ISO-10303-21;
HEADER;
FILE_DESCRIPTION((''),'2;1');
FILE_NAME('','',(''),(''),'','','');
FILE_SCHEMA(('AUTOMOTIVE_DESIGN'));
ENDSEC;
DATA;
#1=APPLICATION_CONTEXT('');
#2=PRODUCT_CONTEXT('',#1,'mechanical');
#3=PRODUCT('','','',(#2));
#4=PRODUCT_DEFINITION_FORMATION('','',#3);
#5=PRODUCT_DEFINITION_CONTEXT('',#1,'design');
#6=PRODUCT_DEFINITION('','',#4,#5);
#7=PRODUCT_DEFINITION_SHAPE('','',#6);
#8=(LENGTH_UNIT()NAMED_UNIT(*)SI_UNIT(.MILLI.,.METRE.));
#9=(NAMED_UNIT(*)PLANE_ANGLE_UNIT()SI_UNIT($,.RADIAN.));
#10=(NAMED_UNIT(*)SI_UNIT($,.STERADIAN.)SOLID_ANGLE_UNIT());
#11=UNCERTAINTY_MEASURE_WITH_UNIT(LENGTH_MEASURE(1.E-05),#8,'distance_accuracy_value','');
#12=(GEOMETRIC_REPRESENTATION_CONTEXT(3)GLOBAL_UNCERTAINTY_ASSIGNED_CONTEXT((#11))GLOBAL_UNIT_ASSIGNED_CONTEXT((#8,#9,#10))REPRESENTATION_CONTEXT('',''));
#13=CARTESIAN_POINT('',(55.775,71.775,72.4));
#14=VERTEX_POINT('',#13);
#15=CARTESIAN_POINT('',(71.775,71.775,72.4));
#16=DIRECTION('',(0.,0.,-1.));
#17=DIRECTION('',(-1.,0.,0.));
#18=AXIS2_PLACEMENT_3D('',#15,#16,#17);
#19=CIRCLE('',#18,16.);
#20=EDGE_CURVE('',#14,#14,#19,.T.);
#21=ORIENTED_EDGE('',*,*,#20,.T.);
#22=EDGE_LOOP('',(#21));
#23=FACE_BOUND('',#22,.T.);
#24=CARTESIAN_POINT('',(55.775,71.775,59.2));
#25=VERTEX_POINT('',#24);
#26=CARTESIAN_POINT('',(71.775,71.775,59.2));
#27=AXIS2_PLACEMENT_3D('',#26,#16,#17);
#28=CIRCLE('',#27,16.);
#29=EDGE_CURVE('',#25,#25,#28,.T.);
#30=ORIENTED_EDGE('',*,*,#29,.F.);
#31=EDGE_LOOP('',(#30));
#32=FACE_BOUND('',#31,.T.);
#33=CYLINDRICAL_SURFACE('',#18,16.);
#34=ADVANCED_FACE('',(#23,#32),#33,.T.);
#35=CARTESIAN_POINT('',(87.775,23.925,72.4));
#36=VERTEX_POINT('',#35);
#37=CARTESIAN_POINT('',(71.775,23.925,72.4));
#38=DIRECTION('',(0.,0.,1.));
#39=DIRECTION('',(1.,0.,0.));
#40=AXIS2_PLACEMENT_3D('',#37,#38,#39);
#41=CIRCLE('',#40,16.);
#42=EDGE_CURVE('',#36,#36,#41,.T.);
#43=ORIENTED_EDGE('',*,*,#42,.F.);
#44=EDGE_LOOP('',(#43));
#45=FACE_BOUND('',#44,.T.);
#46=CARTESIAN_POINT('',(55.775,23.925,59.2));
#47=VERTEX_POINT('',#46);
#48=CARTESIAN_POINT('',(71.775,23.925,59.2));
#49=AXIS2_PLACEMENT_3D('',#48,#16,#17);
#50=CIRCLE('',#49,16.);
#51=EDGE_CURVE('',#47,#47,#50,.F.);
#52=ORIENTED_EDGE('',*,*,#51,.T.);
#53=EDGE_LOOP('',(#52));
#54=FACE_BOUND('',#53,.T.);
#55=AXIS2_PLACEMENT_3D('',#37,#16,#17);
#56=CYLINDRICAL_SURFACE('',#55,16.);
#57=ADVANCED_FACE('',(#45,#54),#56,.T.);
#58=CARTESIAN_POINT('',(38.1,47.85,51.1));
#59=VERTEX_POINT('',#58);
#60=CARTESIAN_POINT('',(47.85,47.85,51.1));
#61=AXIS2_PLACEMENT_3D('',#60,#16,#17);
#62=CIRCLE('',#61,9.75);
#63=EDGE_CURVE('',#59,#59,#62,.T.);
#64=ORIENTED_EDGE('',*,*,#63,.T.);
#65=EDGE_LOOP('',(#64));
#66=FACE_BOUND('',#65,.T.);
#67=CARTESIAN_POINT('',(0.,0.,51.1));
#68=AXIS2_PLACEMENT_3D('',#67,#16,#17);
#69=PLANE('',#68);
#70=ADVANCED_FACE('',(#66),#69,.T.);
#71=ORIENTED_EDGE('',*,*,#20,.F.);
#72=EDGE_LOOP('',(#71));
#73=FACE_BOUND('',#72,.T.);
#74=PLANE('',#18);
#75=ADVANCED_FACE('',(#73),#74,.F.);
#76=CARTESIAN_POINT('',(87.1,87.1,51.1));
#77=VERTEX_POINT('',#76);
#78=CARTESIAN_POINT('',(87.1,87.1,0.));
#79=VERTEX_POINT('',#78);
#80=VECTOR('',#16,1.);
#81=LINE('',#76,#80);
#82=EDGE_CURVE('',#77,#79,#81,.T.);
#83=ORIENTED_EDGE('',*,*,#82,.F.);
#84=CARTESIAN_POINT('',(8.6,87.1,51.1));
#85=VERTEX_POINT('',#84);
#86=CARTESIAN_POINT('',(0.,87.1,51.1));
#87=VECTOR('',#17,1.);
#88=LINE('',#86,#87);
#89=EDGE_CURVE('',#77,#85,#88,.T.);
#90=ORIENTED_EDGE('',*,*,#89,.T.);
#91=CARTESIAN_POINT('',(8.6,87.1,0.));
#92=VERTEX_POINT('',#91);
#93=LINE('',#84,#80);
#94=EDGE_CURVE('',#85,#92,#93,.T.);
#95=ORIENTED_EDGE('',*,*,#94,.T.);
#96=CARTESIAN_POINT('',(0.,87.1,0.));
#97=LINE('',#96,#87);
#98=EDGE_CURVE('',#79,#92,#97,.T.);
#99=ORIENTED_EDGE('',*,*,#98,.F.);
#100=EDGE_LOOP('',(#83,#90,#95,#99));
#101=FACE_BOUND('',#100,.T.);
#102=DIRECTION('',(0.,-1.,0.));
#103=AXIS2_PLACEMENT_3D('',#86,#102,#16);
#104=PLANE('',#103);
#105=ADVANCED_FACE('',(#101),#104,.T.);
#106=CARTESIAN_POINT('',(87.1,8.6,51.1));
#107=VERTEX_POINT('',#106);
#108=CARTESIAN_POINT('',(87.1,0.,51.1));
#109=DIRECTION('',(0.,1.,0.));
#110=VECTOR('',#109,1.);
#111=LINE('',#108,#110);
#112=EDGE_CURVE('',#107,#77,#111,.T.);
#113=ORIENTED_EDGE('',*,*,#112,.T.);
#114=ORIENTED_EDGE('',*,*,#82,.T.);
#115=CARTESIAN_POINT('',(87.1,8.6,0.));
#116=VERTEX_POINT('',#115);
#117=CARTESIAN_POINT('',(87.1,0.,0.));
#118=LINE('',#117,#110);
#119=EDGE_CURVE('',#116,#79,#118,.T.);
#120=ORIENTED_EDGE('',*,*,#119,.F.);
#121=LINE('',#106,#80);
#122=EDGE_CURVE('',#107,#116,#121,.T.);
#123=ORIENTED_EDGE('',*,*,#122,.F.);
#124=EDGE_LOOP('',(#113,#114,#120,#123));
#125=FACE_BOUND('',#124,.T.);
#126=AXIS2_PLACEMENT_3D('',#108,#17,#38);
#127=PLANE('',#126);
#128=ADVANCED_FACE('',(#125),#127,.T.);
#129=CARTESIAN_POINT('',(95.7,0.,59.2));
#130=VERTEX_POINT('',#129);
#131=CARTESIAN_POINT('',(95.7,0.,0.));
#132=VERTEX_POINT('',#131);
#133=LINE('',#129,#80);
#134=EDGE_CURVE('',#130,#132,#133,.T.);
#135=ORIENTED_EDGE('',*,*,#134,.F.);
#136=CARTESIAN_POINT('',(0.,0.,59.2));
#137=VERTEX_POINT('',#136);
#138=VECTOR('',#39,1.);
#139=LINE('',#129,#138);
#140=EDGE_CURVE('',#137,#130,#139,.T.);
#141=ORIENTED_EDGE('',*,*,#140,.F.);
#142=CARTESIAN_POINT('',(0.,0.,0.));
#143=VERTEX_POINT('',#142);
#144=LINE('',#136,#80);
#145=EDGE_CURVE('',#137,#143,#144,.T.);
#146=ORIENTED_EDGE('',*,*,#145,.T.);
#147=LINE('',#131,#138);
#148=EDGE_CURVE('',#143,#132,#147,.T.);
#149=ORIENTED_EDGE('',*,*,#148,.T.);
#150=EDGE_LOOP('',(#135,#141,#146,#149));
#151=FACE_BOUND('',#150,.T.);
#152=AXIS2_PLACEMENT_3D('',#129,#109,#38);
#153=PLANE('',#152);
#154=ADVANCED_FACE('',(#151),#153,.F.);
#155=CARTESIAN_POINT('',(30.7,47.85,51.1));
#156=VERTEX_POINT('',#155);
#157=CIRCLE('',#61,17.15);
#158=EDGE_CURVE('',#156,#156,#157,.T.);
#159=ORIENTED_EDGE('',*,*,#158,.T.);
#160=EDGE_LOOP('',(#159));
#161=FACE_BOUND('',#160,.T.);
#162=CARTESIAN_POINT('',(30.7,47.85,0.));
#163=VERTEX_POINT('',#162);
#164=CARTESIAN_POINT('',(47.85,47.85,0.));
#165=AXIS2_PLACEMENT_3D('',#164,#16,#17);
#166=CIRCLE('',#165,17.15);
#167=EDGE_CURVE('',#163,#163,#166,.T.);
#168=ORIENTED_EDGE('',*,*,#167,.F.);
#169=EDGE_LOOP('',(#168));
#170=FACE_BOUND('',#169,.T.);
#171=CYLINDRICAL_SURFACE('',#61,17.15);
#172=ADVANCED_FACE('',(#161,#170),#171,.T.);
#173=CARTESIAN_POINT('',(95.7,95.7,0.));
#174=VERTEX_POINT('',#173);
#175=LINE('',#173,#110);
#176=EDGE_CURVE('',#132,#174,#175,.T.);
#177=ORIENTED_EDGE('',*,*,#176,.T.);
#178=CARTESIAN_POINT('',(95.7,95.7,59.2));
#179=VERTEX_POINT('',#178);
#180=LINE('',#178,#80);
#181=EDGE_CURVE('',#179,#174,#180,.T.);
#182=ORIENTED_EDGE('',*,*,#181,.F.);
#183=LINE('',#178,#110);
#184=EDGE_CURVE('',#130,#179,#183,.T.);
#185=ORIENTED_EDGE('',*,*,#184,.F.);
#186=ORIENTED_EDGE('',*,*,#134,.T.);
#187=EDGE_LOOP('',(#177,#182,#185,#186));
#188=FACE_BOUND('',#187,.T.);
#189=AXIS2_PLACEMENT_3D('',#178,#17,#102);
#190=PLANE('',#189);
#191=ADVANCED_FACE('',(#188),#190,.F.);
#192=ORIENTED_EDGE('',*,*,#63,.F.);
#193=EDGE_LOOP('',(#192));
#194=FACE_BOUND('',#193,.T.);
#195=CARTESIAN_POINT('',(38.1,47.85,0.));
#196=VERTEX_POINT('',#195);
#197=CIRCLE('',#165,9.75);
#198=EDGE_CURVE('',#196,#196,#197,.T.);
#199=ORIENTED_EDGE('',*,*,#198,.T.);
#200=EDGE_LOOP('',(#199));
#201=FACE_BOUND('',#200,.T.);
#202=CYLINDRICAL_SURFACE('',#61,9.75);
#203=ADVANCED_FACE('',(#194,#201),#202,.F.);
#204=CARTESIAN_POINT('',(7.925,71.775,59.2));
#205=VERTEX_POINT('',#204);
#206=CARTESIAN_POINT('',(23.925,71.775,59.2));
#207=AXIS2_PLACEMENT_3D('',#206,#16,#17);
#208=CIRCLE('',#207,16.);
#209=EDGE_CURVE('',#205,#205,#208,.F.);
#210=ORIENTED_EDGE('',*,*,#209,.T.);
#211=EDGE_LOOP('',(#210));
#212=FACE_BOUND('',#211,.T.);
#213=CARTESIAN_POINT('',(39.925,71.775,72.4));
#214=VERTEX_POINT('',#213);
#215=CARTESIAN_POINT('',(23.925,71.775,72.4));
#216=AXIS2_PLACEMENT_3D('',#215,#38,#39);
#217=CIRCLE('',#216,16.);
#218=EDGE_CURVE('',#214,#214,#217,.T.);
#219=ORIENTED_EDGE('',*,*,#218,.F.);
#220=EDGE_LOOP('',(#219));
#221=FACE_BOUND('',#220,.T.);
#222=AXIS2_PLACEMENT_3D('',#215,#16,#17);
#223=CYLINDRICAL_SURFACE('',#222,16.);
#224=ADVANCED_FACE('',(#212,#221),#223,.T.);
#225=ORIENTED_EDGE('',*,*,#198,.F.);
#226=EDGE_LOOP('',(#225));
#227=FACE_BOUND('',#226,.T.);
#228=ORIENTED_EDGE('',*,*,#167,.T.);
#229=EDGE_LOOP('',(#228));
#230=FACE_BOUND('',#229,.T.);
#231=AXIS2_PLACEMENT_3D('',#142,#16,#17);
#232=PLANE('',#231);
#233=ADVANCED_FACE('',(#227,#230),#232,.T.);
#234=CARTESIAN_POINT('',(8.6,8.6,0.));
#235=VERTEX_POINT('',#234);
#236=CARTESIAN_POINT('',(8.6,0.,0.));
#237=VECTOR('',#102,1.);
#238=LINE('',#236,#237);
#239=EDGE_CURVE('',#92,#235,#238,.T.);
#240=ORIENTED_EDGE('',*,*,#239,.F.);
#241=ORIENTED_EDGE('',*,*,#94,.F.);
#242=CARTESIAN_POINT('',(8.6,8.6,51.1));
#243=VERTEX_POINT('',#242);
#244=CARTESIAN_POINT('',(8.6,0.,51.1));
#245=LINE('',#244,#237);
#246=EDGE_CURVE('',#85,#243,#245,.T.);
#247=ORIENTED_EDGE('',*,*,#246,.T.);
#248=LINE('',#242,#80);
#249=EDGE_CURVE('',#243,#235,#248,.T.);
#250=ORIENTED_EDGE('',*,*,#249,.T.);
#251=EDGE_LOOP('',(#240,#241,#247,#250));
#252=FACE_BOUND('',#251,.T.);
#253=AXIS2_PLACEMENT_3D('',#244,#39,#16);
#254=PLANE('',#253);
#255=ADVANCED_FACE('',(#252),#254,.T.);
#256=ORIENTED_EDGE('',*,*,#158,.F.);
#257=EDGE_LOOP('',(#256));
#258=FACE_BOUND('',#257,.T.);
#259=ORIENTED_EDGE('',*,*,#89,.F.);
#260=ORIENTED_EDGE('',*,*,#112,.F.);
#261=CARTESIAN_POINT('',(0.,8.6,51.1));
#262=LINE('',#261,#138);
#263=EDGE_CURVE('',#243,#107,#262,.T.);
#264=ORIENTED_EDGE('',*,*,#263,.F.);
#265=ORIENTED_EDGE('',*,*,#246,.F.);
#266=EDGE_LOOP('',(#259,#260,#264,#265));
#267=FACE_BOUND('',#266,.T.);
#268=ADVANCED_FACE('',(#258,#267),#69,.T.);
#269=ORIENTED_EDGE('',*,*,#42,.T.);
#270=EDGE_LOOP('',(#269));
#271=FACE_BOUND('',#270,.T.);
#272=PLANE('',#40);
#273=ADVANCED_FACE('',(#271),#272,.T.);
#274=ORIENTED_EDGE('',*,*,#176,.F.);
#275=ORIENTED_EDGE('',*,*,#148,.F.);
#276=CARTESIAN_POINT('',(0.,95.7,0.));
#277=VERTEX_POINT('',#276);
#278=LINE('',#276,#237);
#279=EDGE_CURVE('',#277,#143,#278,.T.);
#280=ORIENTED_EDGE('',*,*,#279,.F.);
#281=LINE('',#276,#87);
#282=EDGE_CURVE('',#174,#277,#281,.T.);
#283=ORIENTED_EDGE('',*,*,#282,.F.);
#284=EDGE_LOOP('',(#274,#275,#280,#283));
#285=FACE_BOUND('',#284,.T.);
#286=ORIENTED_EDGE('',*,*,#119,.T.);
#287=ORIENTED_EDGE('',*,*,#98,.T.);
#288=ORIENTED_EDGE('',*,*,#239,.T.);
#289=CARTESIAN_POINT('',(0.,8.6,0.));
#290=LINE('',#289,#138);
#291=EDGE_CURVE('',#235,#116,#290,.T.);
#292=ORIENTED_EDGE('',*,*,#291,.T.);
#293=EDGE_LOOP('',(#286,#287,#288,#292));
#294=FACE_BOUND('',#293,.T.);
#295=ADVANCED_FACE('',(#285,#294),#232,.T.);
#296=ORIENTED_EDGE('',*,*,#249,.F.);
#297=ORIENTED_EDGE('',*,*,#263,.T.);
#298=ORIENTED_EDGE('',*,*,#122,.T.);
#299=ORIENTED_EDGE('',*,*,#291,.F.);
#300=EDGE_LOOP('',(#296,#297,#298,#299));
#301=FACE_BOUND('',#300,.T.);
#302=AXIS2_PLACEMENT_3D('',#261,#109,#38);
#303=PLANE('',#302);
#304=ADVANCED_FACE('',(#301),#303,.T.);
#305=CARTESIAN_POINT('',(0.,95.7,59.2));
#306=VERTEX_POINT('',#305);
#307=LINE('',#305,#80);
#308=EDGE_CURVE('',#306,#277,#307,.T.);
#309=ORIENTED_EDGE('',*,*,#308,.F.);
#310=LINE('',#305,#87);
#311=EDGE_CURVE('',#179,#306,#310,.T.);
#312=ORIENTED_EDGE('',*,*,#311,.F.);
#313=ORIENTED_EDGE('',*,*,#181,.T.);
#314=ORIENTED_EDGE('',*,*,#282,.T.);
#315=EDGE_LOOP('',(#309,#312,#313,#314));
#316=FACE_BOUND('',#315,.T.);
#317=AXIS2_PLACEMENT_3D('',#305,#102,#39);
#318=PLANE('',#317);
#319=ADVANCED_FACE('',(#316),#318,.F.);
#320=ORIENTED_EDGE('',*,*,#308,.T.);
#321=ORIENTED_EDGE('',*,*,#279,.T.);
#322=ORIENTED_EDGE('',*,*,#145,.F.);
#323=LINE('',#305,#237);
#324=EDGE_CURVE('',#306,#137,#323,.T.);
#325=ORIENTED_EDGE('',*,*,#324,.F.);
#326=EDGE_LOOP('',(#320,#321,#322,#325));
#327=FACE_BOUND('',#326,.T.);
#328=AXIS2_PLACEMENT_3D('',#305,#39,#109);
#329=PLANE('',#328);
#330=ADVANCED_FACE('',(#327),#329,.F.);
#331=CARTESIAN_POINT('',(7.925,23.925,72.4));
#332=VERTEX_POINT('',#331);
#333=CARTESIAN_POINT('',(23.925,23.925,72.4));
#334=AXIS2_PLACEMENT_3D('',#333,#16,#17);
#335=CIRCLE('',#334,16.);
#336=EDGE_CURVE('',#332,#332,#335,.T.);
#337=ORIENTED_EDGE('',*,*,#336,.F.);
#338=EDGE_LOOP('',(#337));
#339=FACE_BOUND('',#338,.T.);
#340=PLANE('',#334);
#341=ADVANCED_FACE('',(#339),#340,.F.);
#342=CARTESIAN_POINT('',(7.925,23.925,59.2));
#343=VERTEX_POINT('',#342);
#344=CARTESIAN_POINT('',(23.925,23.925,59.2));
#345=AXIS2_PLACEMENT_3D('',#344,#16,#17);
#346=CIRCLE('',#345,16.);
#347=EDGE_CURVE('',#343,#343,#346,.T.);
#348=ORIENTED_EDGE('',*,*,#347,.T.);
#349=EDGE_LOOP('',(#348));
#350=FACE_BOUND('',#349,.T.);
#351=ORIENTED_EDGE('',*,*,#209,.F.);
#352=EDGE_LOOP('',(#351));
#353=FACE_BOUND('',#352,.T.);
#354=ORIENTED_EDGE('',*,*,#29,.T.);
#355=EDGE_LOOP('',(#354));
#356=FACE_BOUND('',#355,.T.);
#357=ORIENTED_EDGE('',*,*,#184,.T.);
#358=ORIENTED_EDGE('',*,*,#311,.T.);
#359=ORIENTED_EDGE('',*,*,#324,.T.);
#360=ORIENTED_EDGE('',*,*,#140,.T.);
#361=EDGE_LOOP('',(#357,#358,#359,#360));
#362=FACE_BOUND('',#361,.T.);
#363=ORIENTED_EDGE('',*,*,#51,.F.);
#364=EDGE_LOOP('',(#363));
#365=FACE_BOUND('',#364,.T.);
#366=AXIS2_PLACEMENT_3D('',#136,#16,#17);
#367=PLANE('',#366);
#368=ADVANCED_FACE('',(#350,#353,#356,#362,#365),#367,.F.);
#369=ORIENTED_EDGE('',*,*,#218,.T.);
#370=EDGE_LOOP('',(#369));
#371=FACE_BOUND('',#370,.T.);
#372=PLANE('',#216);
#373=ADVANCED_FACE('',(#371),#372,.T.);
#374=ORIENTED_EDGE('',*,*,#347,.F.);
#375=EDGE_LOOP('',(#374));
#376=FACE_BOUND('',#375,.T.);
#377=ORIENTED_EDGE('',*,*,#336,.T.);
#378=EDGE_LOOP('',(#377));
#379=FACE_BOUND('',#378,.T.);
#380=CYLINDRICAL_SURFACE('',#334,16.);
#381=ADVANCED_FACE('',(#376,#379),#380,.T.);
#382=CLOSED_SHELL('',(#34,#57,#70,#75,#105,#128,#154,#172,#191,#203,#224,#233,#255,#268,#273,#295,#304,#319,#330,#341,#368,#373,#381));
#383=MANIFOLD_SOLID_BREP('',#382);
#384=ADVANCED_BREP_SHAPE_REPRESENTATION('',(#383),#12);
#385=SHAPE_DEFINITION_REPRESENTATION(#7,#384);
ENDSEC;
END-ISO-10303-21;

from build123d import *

# Parameters (mm, degrees)
ESQUISSE2_W             = 95.7
ESQUISSE2_H             = 95.7
BOSS_EXTRU_1_DEPTH      = 59.2
ESQUISSE3_R             = 16
BOSS_EXTRU_2_DEPTH      = 13.2
ESQUISSE4_W             = 78.5
ESQUISSE4_H             = 78.5
ESQUISSE4_R             = 17.15
ESQUISSE4_R_2           = 9.75
ENL_V_MAT_EXTRU_1_DEPTH = 51.1


with BuildPart() as part:
    # Esquisse2 → Boss.-Extru.1 (new body)
    with BuildSketch(Plane.XY):
        with Locations((47.85, 47.85)):
            Rectangle(ESQUISSE2_W, ESQUISSE2_H)
    extrude(amount=BOSS_EXTRU_1_DEPTH)

    # Esquisse3 → Boss.-Extru.2 (add)
    with BuildSketch(Plane.XY.offset(59.2)):
        with Locations(Location((23.925, 71.775, 0), (0, 0, 180))):
            Circle(ESQUISSE3_R)
        with Locations(Location((71.775, 71.775, 0), (0, 0, 180))):
            Circle(ESQUISSE3_R)
        with Locations(Location((71.775, 23.925, 0), (0, 0, 180))):
            Circle(ESQUISSE3_R)
        with Locations(Location((23.925, 23.925, 0), (0, 0, 180))):
            Circle(ESQUISSE3_R)
    extrude(amount=BOSS_EXTRU_2_DEPTH)

    # Esquisse4 → Enlèv. mat.-Extru.1 (cut)
    # profile 1 of 2: a face of its own
    with BuildSketch(Plane(origin=(0, 0, 0), x_dir=(-1, 0, 0), z_dir=(0, 0, -1))):
        with Locations((-47.85, 47.85)):
            Rectangle(ESQUISSE4_W, ESQUISSE4_H)
        with Locations((-47.85, 47.85)):
            Circle(ESQUISSE4_R, mode=Mode.SUBTRACT)
    # profile 2 of 2: a face of its own
    with BuildSketch(Plane(origin=(0, 0, 0), x_dir=(-1, 0, 0), z_dir=(0, 0, -1))):
        with Locations((-47.85, 47.85)):
            Circle(ESQUISSE4_R_2)
    extrude(amount=-ENL_V_MAT_EXTRU_1_DEPTH, mode=Mode.SUBTRACT)


solid = part.part
